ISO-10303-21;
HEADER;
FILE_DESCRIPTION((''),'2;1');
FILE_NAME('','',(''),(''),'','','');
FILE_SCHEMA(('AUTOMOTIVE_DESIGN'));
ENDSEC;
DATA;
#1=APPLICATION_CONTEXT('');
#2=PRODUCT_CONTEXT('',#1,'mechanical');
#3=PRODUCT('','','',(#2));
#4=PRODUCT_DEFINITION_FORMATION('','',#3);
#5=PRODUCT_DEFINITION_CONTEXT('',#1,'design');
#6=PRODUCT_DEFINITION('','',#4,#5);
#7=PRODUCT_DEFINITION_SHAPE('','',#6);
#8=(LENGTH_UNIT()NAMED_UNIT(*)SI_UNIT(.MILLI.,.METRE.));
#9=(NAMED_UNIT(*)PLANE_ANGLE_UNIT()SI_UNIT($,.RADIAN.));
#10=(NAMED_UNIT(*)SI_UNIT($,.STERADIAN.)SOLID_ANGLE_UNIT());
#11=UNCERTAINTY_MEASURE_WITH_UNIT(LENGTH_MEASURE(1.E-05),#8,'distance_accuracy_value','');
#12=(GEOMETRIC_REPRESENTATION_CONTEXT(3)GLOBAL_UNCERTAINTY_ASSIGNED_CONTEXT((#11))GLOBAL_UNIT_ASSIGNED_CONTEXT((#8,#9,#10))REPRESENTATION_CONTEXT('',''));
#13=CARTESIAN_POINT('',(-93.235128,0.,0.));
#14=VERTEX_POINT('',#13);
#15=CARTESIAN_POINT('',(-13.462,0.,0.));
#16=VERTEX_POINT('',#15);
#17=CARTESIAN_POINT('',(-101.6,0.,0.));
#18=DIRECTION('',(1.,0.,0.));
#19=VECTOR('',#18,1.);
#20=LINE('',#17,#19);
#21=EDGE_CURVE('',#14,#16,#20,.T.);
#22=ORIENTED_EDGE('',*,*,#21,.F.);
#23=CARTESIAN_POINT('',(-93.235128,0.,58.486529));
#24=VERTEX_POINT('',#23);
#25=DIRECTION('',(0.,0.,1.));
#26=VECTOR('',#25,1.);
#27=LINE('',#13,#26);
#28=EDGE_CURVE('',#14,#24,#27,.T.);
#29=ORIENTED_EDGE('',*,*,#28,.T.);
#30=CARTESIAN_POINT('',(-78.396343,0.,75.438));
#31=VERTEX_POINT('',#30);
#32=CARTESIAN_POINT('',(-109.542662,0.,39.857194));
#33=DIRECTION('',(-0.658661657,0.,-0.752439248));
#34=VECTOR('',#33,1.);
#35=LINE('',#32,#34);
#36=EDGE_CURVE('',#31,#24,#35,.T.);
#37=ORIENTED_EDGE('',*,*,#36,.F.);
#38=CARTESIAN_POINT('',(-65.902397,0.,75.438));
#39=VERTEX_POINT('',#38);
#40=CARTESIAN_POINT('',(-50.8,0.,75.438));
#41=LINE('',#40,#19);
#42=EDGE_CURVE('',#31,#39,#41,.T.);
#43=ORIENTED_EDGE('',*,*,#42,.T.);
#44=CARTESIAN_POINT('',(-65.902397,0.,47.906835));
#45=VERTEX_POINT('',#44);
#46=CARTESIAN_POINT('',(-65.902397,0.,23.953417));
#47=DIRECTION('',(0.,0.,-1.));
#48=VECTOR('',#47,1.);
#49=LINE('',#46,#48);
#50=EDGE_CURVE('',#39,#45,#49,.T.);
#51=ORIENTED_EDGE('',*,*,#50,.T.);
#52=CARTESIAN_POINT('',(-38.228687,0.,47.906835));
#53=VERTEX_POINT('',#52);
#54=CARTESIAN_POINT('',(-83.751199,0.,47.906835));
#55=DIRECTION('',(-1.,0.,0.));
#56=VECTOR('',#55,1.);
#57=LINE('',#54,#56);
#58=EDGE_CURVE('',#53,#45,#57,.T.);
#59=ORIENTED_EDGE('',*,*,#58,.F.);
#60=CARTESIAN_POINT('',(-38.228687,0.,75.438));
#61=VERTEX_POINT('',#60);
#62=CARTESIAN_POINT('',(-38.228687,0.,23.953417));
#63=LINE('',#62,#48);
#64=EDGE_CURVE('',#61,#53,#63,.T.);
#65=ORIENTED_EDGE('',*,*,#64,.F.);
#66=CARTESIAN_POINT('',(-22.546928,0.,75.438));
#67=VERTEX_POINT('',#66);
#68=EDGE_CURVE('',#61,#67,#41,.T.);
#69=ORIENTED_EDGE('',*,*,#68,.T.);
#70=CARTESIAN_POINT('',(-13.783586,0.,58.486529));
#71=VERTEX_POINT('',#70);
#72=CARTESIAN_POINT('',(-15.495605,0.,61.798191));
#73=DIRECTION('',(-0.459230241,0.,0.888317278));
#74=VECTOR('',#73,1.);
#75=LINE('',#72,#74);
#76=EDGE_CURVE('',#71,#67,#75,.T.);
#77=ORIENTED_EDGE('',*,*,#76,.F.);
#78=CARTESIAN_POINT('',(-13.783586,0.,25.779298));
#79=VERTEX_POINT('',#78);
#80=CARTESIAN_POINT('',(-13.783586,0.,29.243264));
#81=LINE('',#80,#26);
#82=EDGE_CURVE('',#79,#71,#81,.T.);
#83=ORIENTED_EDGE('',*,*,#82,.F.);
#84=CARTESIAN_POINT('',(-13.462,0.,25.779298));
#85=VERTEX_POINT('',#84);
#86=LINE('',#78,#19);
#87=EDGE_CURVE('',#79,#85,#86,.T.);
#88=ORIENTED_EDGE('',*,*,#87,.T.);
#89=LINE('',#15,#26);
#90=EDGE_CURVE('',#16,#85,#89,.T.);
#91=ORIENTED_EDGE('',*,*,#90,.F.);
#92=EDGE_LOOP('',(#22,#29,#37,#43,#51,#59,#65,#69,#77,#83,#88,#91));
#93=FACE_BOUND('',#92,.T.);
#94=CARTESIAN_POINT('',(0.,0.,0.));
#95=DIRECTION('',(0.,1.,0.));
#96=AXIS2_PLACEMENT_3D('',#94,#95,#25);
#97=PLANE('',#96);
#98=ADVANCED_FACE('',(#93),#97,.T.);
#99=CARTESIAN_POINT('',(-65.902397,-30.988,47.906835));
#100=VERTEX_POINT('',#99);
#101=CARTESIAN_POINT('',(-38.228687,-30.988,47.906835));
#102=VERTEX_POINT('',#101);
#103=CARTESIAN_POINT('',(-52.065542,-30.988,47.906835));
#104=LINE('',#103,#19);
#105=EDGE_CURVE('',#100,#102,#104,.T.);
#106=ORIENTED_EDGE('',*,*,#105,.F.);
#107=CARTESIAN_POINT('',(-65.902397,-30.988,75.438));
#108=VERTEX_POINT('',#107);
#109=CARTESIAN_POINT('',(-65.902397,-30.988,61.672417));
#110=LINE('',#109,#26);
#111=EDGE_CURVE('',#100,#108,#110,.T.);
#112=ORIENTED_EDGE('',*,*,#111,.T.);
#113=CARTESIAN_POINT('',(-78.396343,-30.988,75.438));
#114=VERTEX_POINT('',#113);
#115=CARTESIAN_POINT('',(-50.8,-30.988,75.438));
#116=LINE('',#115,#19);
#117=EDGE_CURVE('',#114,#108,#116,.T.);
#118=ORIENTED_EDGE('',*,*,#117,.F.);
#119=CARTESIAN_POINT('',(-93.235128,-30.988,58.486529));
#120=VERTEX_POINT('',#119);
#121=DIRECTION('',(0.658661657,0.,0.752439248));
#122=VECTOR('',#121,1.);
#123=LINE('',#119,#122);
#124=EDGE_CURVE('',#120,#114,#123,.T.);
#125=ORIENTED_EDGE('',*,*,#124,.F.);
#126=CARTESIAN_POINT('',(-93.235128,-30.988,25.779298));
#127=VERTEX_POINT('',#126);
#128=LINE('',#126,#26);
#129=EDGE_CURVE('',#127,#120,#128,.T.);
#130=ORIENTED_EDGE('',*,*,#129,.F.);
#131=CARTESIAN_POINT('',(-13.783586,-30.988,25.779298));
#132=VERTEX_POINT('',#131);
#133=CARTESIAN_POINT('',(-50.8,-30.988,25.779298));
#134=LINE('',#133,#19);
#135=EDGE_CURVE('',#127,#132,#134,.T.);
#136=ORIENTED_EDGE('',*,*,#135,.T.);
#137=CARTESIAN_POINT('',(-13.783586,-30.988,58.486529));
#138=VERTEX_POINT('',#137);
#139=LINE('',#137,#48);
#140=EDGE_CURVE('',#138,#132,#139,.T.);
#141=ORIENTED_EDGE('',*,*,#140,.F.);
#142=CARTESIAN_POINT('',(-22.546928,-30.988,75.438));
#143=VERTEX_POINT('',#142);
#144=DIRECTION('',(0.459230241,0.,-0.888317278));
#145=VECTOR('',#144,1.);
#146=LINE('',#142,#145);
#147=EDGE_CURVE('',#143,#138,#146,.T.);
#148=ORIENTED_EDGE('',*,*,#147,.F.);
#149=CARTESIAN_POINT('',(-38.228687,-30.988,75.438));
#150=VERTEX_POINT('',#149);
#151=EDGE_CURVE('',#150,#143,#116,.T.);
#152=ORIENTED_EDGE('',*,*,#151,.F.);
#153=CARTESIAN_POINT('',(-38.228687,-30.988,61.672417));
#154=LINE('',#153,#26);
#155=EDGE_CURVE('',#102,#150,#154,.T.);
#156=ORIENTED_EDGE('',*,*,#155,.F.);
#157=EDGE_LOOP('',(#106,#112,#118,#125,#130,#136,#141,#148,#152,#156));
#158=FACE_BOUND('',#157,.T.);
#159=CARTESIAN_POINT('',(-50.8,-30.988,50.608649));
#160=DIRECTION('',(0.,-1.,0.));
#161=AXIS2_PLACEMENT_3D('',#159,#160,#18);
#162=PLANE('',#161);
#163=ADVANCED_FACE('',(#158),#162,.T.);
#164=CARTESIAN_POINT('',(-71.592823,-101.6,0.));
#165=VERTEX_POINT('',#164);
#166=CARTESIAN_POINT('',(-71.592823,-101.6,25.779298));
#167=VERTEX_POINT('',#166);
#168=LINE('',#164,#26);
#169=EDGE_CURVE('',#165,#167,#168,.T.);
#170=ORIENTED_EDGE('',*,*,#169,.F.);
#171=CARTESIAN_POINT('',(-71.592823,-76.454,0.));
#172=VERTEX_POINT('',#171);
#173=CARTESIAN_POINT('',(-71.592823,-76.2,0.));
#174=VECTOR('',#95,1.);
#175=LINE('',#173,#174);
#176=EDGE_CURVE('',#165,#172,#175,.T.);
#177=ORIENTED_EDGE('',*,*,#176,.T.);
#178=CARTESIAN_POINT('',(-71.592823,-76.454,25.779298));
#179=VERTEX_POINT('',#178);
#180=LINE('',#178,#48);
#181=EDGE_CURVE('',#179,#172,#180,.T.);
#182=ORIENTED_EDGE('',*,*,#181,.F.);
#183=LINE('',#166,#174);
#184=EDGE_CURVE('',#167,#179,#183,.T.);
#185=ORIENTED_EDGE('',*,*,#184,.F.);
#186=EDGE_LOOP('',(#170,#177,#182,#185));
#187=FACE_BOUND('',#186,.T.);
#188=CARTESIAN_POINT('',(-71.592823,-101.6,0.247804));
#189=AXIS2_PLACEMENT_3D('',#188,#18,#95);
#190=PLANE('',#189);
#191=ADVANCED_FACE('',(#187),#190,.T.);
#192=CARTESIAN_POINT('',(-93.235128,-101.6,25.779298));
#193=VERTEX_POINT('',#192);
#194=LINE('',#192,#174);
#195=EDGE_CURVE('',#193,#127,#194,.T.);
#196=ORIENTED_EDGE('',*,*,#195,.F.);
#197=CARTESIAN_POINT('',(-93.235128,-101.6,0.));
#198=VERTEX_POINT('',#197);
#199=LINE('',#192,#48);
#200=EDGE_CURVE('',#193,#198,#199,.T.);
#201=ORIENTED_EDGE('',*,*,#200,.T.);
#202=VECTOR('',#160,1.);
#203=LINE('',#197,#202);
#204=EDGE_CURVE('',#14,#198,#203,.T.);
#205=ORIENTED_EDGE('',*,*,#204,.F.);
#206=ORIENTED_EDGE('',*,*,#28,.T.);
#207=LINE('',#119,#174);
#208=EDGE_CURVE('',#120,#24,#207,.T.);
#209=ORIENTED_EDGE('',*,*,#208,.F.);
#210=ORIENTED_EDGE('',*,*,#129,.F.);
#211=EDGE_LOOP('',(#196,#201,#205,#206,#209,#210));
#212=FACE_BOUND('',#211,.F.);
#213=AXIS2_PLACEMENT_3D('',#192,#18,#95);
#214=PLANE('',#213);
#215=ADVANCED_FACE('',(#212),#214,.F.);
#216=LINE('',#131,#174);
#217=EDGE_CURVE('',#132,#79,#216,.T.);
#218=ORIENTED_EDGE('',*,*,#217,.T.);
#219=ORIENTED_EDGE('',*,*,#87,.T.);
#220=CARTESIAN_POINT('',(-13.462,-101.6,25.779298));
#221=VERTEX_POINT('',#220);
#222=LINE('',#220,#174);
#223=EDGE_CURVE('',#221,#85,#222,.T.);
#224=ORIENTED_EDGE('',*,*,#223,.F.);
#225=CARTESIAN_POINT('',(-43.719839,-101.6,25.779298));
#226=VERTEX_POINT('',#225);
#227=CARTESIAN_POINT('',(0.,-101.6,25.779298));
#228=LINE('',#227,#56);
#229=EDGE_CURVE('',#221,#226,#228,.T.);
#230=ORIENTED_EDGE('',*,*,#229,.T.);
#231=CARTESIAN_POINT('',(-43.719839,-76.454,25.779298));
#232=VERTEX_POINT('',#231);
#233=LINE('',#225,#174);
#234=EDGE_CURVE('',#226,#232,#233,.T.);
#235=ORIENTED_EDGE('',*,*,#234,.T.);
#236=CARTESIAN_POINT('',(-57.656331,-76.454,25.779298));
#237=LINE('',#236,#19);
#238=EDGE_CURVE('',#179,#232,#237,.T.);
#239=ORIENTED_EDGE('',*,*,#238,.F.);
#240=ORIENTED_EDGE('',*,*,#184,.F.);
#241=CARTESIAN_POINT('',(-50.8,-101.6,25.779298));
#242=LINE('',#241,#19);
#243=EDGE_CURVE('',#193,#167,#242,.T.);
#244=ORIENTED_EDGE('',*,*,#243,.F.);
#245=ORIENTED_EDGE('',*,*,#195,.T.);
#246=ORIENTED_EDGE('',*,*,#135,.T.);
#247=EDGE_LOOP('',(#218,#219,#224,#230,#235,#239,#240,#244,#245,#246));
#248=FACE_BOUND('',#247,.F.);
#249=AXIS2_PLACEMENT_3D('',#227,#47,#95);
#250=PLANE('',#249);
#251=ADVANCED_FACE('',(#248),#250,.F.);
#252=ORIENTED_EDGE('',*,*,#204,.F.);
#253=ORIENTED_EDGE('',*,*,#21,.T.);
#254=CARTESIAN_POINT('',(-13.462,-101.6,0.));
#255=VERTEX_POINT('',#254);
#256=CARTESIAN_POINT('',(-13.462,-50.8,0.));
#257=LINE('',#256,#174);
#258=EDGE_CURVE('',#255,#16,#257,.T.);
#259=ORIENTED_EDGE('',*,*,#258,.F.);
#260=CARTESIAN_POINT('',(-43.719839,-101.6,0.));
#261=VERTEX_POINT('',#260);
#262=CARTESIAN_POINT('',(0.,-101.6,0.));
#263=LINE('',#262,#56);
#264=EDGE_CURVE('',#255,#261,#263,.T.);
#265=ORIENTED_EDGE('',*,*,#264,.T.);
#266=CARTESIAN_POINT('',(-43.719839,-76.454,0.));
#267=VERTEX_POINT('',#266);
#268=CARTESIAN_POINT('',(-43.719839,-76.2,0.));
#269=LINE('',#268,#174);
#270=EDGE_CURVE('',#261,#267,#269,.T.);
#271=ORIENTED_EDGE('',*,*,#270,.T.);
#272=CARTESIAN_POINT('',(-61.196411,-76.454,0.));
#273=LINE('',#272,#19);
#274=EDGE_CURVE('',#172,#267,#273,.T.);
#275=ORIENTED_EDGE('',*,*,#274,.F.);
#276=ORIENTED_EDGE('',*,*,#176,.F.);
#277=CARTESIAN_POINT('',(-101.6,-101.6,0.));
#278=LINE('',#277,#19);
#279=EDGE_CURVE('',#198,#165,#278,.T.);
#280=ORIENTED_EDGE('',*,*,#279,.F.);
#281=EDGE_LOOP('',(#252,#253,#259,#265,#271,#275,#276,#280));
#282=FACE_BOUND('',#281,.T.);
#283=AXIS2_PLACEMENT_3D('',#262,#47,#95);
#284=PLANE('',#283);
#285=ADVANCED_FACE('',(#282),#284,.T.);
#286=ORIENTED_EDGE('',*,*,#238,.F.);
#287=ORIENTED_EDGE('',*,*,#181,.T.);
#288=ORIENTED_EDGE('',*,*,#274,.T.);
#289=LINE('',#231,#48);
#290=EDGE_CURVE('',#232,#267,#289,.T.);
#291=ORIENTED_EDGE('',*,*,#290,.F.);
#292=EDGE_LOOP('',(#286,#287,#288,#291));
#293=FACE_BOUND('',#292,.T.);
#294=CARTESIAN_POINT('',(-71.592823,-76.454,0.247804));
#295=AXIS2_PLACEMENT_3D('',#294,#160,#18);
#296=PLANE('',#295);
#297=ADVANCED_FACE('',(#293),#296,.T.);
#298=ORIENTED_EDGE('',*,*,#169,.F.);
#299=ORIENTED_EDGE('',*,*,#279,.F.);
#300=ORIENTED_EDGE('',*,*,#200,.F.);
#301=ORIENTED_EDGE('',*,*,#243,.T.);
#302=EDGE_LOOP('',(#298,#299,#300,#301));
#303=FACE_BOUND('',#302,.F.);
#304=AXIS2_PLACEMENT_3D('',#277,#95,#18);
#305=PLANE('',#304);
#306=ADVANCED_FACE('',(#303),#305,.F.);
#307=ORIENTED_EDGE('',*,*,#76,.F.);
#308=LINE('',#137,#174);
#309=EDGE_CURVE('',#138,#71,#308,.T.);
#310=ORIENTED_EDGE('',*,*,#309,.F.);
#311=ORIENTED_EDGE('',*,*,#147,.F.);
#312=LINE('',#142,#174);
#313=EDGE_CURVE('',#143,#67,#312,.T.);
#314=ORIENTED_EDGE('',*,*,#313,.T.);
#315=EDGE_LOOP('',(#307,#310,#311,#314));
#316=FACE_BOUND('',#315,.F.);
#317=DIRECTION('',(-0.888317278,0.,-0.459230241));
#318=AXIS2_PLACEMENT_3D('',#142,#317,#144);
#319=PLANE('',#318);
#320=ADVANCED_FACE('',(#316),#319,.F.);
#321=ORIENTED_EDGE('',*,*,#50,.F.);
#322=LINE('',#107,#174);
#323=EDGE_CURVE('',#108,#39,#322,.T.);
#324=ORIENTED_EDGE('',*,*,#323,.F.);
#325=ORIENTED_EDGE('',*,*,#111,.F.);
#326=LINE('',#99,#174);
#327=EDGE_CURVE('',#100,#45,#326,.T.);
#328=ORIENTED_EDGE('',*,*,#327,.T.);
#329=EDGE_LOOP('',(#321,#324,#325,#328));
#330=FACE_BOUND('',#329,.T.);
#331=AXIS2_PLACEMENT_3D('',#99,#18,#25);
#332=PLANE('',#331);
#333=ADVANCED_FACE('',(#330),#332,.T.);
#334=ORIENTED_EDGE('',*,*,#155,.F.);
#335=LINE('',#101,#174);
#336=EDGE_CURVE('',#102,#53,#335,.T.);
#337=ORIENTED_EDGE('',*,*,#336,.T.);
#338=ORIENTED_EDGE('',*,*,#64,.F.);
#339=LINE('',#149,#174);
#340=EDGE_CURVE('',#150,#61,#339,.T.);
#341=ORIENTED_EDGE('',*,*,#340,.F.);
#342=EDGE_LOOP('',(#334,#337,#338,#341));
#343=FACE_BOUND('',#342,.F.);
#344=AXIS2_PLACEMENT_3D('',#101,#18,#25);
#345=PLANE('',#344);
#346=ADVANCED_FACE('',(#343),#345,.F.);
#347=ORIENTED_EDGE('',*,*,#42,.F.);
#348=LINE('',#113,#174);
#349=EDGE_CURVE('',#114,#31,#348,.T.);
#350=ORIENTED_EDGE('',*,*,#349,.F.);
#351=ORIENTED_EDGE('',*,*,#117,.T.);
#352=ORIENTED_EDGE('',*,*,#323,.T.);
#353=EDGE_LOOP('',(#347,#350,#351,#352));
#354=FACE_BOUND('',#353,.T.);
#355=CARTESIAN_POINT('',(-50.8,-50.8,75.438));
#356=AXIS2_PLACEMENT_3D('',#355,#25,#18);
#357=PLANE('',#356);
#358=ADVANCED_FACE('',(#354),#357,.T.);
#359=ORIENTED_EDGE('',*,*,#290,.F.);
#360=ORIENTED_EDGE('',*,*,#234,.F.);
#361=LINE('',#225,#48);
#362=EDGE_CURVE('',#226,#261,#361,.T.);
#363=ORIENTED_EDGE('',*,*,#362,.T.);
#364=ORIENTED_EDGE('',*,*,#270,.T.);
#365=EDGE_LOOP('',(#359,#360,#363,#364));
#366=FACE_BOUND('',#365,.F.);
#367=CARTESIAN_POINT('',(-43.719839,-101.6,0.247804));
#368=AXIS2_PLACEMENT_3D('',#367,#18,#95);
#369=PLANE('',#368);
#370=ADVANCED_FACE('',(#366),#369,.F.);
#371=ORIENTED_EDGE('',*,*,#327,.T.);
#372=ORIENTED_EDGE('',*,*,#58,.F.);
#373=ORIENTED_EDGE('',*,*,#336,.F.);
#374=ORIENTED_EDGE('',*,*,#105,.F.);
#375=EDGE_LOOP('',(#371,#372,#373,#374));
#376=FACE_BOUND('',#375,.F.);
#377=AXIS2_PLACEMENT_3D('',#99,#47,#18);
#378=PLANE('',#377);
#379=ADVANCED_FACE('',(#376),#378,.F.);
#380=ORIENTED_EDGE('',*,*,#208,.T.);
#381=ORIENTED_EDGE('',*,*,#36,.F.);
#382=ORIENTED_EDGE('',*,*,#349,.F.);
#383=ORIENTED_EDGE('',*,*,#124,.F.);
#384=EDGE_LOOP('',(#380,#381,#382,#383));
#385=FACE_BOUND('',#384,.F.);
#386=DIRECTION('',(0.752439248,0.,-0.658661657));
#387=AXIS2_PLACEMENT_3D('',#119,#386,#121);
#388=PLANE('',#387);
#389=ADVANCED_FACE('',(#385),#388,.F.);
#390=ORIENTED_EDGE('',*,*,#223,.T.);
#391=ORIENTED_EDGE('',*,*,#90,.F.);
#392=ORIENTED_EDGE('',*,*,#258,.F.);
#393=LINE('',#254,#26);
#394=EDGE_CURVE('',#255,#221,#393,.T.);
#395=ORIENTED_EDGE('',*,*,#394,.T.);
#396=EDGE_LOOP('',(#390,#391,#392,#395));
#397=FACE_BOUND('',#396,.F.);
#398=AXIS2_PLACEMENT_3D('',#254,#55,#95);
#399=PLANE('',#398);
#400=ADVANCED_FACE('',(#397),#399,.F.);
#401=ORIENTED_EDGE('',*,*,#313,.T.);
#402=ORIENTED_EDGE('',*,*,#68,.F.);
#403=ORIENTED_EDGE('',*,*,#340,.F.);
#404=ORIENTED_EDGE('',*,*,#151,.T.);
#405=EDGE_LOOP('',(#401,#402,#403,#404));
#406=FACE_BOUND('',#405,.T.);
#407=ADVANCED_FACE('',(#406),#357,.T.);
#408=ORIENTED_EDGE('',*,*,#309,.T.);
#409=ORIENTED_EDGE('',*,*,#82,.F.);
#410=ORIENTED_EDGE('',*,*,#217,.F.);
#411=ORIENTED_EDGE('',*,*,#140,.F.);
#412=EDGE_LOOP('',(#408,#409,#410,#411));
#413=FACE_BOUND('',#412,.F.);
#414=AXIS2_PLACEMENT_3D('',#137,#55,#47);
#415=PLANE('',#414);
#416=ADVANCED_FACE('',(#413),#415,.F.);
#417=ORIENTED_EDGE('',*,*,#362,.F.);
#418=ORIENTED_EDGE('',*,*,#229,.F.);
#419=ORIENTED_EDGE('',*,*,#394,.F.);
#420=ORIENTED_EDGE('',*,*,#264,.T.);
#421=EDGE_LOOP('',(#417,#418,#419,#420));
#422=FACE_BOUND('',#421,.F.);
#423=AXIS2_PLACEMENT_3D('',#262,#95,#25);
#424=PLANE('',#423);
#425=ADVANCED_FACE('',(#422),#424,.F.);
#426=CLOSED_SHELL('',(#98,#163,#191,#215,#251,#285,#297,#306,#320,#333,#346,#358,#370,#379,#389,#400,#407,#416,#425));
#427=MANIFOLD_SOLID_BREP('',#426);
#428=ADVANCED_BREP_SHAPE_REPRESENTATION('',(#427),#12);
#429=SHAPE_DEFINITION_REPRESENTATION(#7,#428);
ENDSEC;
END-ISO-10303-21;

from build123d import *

# Parameters (mm, degrees)
F0_W      = 101.6
F0_H      = 101.6
F1_DEPTH  = 75.438
F2_W      = 28.0288234353
F2_H      = 9.1542927548
F3_DEPTH  = 25.4
F4_W      = 101.6
F4_H      = 49.6587024246
F5_DEPTH  = 70.612
F6_W      = 27.8729833663
F6_H      = 25.5314931273
F7_DEPTH  = 25.146
F9_DEPTH  = 68.072
F10_DEPTH = 25.4
F12_DEPTH = 60.96
F13_W     = 27.6737101376
F13_H     = 27.5311653678
F14_DEPTH = 72.136
F15_DEPTH = 13.716
F16_DEPTH = 13.462
F18_DEPTH = 43.434


with BuildPart() as f1:
    # F0 (on Top) → F1 (new body)
    with BuildSketch(Plane.XY):
        with Locations((-50.8, -50.8)):
            Rectangle(F0_W, F0_H)
    extrude(amount=F1_DEPTH)

    # F2 (on face) → F3 (cut)
    with BuildSketch(Plane.XZ.offset(101.6)):
        with Locations((-57.5784109533, -4.5771463774)):
            Rectangle(F2_W, F2_H)
    extrude(amount=-F3_DEPTH, mode=Mode.SUBTRACT)

    # F4 (on face) → F5 (cut)
    with BuildSketch(Plane.XZ.offset(101.6)):
        with Locations((-50.8, 50.6086487877)):
            Rectangle(F4_W, F4_H)
    extrude(amount=-F5_DEPTH, mode=Mode.SUBTRACT)

    # F6 (on face) → F7 (cut)
    with BuildSketch(Plane.XZ.offset(101.6)):
        with Locations((-57.6563309878, 13.0135510117)):
            Rectangle(F6_W, F6_H)
    extrude(amount=-F7_DEPTH, mode=Mode.SUBTRACT)

    # F8 (on face) → F9 (cut)
    with BuildSketch(Plane.XZ.offset(30.988)):
        Polygon((-93.2351276278, 58.4865286946), (-78.3963426948, 75.438), (-101.6, 75.438), (-101.6, 25.7792975754), (-93.2351276278, 25.7792975754), align=None)
    extrude(amount=-F9_DEPTH, mode=Mode.SUBTRACT)

    # F10 (cut): a face of the model
    f10_faces = [f1.faces().sort_by_distance(p)[0] for p in [
        (-57.6563309878, -89.027, 0.247804448),
    ]]
    extrude(f10_faces, amount=-F10_DEPTH, mode=Mode.SUBTRACT)

    # F11 (on face) → F12 (cut)
    with BuildSketch(Plane.XZ.offset(30.988)):
        Polygon((0, 75.438), (-22.546928376, 75.438), (-13.7835862115, 58.4865286946), (-13.7835862115, 25.7792975754), (0, 25.7792975754), align=None)
    extrude(amount=-F12_DEPTH, mode=Mode.SUBTRACT)

    # F13 (on face) → F14 (cut)
    with BuildSketch(Plane.XZ.offset(30.988)):
        with Locations((-52.0655419677, 61.6724173161)):
            Rectangle(F13_W, F13_H)
    extrude(amount=-F14_DEPTH, mode=Mode.SUBTRACT)

    # F15 (add): a face of the model
    f15_faces = [f1.faces().sort_by_distance(p)[0] for p in [
        (0, -50.8, 12.8896487877),
    ]]
    extrude(f15_faces, amount=-F15_DEPTH)

    # F16 (cut): a face of the model
    f16_faces = [f1.faces().sort_by_distance(p)[0] for p in [
        (0, -50.8, 12.8896487877),
    ]]
    extrude(f16_faces, amount=-F16_DEPTH, mode=Mode.SUBTRACT)

    # F17 (on face) → F18 (cut)
    with BuildSketch(Plane.XY.offset(25.7792975754)):
        Polygon((-93.2351276278, -101.6), (-93.2351276278, -30.988), (-93.2351276278, 0), (-101.6, 0), (-101.6, -101.6), align=None)
    extrude(amount=-F18_DEPTH, mode=Mode.SUBTRACT)


solid = f1.part
